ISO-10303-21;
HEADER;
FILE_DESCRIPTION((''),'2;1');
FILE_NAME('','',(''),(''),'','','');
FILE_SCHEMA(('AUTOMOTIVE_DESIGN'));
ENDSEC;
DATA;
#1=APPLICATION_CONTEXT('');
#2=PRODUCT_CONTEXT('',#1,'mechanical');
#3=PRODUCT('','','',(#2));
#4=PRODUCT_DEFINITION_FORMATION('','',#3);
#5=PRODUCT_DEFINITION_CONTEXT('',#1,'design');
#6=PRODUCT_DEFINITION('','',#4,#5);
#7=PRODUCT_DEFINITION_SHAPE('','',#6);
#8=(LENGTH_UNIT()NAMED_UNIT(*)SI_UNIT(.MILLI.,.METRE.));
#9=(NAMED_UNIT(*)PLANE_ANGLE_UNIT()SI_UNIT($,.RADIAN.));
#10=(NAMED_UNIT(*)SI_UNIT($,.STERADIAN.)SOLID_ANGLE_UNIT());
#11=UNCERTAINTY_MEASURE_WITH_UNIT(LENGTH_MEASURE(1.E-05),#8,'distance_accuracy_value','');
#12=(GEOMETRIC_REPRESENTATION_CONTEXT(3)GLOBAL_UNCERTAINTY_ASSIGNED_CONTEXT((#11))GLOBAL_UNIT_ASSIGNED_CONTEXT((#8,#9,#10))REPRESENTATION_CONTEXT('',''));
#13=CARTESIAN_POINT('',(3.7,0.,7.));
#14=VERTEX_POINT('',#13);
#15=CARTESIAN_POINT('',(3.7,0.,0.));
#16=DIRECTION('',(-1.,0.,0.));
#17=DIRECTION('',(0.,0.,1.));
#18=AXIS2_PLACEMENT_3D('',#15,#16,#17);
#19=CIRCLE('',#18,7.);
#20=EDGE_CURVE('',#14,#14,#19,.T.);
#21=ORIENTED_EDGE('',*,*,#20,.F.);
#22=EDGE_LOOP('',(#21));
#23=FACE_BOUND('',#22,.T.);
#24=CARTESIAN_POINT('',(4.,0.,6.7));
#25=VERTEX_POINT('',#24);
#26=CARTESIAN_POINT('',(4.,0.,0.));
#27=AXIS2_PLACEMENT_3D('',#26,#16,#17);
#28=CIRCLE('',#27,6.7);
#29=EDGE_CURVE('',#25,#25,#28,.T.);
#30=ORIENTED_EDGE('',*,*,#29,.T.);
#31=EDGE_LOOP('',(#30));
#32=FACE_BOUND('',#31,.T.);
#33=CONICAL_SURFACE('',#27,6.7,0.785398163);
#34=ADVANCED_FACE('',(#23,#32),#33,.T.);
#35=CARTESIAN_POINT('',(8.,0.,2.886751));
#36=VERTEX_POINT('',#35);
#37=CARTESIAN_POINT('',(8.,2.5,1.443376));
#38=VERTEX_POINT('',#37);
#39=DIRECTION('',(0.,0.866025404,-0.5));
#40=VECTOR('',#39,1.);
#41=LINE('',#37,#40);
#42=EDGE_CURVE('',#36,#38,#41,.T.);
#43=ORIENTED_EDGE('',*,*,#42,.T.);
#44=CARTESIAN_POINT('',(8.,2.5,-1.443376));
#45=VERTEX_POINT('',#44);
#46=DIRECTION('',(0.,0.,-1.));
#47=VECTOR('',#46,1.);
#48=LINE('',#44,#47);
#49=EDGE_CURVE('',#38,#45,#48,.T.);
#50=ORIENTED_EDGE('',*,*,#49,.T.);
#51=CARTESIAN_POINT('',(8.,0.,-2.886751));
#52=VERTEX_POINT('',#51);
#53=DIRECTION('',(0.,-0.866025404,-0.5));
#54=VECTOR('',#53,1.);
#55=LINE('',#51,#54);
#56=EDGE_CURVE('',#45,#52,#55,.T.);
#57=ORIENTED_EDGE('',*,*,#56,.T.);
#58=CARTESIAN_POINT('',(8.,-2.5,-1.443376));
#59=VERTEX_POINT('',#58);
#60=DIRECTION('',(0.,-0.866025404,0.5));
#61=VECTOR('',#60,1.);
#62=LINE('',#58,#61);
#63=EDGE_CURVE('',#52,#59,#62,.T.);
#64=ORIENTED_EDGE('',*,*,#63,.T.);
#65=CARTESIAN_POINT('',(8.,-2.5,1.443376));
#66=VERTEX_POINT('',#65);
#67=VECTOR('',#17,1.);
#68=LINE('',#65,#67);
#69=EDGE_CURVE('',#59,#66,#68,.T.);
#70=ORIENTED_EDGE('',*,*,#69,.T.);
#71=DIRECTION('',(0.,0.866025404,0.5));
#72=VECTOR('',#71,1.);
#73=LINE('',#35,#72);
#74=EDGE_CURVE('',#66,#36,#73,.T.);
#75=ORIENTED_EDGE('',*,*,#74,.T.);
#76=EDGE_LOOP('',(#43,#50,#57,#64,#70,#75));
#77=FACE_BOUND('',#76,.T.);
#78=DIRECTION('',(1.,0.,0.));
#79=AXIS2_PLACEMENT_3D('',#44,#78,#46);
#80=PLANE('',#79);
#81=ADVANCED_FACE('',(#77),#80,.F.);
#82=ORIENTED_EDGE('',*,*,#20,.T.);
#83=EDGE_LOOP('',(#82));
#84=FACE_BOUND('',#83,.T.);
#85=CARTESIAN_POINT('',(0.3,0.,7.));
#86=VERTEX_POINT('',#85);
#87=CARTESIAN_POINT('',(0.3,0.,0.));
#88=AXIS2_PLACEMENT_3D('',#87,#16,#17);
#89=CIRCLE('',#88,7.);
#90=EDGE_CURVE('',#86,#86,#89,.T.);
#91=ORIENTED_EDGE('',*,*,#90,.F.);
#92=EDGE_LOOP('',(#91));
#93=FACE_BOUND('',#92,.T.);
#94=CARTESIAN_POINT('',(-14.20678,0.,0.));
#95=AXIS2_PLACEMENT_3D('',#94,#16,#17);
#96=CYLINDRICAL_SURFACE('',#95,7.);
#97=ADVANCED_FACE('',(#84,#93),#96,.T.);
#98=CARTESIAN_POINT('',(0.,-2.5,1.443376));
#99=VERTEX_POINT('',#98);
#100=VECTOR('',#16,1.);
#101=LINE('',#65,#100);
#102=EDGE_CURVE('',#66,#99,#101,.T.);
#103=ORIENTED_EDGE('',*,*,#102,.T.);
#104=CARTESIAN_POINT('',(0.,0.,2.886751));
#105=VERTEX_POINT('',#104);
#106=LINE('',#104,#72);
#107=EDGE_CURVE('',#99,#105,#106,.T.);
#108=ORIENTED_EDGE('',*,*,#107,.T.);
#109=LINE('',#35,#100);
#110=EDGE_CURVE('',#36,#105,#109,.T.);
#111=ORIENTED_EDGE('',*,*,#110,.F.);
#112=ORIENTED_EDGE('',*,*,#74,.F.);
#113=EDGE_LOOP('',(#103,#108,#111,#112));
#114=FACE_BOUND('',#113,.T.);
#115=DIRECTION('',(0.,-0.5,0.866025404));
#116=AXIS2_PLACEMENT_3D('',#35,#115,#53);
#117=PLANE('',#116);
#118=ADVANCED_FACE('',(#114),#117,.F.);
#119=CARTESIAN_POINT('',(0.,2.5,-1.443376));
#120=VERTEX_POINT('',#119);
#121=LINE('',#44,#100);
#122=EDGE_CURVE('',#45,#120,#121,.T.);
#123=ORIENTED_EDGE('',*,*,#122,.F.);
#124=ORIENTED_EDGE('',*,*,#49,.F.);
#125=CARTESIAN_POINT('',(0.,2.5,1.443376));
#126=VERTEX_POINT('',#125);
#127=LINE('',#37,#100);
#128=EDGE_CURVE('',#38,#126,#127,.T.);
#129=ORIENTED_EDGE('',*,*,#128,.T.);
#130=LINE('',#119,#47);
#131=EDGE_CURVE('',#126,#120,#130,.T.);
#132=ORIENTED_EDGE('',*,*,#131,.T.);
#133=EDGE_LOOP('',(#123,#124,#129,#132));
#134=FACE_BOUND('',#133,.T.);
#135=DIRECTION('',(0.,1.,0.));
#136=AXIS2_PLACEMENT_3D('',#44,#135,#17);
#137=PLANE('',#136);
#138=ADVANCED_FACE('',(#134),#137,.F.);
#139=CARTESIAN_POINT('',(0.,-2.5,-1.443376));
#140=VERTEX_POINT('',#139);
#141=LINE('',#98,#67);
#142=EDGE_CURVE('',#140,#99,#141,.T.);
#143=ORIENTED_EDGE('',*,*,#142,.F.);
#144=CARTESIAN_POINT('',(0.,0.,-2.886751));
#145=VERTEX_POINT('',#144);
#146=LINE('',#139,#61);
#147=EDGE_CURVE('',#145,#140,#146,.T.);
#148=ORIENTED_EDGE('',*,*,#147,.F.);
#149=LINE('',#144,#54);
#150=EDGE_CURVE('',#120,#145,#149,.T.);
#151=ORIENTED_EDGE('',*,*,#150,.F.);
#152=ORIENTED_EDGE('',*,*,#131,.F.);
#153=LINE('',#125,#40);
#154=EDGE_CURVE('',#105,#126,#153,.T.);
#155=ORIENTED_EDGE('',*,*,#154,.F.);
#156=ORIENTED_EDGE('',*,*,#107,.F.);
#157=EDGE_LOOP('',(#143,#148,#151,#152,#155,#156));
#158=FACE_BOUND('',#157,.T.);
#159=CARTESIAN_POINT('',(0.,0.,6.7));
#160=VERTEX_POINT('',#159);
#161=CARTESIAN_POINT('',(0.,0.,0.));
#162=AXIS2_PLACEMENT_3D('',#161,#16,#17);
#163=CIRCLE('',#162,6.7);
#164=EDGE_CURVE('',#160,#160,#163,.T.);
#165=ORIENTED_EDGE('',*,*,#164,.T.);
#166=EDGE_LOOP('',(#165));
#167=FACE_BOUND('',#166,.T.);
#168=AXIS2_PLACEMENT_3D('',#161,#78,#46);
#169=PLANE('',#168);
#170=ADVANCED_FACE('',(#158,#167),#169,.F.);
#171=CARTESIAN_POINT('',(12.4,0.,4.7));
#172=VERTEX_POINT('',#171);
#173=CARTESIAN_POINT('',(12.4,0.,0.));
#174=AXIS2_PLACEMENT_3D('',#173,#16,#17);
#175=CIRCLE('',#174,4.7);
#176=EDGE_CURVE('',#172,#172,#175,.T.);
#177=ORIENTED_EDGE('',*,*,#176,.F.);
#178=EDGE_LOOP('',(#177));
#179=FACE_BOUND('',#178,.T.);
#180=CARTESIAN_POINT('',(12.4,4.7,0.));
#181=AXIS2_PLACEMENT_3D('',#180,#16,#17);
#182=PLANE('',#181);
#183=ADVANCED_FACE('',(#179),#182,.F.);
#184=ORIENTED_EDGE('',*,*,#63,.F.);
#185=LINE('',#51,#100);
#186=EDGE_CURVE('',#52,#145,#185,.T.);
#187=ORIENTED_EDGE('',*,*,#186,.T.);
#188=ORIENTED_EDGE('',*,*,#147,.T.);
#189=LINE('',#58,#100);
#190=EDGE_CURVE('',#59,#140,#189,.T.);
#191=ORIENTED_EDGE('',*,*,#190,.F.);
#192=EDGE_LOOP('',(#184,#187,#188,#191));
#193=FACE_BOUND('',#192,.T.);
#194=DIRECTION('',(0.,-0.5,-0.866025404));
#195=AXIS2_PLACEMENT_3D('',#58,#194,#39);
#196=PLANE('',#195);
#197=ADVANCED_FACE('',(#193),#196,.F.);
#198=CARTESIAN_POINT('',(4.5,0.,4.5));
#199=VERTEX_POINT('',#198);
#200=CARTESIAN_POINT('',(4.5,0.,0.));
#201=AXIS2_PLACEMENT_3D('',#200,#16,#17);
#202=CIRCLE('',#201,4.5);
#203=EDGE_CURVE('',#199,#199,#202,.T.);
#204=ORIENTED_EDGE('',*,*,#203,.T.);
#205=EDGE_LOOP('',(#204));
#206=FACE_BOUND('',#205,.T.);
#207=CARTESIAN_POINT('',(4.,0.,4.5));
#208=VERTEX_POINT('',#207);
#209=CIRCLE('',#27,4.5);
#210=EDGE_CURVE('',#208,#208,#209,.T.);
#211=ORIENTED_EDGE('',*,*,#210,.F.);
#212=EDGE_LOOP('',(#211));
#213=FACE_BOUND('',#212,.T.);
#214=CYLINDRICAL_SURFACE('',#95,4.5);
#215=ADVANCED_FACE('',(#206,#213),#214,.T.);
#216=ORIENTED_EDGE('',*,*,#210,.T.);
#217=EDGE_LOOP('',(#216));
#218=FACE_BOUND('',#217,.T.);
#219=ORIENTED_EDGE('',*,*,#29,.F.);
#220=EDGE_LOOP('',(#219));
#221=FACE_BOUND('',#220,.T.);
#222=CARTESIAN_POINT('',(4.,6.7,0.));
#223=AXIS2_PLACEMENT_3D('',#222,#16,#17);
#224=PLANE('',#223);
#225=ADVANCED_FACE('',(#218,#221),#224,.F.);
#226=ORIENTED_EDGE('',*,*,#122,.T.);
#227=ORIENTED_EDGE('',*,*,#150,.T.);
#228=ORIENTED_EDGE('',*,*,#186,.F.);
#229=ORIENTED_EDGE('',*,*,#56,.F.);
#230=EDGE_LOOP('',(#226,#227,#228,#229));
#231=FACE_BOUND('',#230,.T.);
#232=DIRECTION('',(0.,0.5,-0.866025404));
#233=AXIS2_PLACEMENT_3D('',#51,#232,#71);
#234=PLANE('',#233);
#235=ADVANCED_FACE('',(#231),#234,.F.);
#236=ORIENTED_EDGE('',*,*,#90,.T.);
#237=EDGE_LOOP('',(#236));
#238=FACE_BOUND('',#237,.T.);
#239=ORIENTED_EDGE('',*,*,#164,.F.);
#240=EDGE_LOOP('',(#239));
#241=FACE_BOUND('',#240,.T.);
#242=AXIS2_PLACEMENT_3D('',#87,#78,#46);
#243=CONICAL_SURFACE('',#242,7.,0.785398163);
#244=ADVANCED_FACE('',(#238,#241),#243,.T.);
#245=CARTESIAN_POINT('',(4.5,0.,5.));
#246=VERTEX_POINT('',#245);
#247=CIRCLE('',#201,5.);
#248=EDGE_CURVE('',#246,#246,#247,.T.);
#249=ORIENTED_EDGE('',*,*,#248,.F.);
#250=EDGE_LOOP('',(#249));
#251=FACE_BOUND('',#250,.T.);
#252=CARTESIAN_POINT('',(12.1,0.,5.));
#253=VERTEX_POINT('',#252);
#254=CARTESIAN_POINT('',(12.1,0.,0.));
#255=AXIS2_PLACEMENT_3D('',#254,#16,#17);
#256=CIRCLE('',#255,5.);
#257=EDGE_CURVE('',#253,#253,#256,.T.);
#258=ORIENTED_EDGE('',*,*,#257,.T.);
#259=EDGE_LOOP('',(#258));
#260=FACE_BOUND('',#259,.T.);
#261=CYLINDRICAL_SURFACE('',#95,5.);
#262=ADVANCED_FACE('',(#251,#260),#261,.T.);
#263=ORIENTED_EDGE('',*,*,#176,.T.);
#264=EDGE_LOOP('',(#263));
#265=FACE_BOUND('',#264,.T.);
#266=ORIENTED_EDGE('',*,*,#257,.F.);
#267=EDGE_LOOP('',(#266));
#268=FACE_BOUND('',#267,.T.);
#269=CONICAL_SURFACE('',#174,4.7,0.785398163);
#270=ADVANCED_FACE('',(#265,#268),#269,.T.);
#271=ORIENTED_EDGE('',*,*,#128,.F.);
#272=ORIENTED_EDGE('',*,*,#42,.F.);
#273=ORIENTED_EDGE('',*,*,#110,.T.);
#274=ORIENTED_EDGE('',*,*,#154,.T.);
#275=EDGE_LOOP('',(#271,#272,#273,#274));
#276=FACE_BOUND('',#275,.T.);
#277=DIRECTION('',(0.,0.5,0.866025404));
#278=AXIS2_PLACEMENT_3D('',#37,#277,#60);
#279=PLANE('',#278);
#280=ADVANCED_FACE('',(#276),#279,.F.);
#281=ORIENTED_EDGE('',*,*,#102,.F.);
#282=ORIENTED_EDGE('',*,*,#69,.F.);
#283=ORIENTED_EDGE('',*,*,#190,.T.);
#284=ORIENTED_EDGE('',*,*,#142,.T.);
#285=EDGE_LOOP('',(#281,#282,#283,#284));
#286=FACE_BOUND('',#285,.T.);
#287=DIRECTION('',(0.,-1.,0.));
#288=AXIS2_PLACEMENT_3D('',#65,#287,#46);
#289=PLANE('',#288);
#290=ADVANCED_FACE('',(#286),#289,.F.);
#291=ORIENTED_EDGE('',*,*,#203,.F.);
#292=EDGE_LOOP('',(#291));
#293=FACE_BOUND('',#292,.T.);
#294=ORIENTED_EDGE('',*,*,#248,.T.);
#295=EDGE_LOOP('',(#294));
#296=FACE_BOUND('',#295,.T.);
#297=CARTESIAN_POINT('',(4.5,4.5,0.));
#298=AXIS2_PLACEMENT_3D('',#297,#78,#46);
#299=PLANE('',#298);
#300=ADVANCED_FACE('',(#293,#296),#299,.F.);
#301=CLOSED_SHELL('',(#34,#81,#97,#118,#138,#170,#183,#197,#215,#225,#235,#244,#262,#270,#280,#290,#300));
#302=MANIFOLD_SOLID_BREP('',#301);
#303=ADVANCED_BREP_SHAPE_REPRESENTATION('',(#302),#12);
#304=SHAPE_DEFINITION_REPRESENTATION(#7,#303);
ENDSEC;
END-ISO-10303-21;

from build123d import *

# Parameters (mm, degrees)
ENL_V_MAT_EXTRU_1_DEPTH = 8


with BuildPart() as part:
    # Esquisse1 → Révolution1 (revolve)
    with BuildSketch(Plane.XY, mode=Mode.PRIVATE) as r_volution1_sk:
        Polygon((0, 0), (0, 6.7), (0.3, 7), (3.7, 7), (4, 6.7), (4, 4.5), (4.5, 4.5), (4.5, 5), (12.1, 5), (12.4, 4.7), (12.4, 0), align=None)
    revolve(r_volution1_sk.sketch.rotate(Axis((-14.206779661, 0, 0), (1, 0, 0)), 90), axis=Axis((-14.206779661, 0, 0), (1, 0, 0)))

    # Esquisse2 → Enlèv. mat.-Extru.1 (cut)
    with BuildSketch(Plane.ZY):
        Polygon((-1.443375673, 2.5), (1.443375673, 2.5), (2.886751346, 0), (1.443375673, -2.5), (-1.443375673, -2.5), (-2.886751346, 0), align=None)
    extrude(amount=-ENL_V_MAT_EXTRU_1_DEPTH, mode=Mode.SUBTRACT)


solid = part.part
